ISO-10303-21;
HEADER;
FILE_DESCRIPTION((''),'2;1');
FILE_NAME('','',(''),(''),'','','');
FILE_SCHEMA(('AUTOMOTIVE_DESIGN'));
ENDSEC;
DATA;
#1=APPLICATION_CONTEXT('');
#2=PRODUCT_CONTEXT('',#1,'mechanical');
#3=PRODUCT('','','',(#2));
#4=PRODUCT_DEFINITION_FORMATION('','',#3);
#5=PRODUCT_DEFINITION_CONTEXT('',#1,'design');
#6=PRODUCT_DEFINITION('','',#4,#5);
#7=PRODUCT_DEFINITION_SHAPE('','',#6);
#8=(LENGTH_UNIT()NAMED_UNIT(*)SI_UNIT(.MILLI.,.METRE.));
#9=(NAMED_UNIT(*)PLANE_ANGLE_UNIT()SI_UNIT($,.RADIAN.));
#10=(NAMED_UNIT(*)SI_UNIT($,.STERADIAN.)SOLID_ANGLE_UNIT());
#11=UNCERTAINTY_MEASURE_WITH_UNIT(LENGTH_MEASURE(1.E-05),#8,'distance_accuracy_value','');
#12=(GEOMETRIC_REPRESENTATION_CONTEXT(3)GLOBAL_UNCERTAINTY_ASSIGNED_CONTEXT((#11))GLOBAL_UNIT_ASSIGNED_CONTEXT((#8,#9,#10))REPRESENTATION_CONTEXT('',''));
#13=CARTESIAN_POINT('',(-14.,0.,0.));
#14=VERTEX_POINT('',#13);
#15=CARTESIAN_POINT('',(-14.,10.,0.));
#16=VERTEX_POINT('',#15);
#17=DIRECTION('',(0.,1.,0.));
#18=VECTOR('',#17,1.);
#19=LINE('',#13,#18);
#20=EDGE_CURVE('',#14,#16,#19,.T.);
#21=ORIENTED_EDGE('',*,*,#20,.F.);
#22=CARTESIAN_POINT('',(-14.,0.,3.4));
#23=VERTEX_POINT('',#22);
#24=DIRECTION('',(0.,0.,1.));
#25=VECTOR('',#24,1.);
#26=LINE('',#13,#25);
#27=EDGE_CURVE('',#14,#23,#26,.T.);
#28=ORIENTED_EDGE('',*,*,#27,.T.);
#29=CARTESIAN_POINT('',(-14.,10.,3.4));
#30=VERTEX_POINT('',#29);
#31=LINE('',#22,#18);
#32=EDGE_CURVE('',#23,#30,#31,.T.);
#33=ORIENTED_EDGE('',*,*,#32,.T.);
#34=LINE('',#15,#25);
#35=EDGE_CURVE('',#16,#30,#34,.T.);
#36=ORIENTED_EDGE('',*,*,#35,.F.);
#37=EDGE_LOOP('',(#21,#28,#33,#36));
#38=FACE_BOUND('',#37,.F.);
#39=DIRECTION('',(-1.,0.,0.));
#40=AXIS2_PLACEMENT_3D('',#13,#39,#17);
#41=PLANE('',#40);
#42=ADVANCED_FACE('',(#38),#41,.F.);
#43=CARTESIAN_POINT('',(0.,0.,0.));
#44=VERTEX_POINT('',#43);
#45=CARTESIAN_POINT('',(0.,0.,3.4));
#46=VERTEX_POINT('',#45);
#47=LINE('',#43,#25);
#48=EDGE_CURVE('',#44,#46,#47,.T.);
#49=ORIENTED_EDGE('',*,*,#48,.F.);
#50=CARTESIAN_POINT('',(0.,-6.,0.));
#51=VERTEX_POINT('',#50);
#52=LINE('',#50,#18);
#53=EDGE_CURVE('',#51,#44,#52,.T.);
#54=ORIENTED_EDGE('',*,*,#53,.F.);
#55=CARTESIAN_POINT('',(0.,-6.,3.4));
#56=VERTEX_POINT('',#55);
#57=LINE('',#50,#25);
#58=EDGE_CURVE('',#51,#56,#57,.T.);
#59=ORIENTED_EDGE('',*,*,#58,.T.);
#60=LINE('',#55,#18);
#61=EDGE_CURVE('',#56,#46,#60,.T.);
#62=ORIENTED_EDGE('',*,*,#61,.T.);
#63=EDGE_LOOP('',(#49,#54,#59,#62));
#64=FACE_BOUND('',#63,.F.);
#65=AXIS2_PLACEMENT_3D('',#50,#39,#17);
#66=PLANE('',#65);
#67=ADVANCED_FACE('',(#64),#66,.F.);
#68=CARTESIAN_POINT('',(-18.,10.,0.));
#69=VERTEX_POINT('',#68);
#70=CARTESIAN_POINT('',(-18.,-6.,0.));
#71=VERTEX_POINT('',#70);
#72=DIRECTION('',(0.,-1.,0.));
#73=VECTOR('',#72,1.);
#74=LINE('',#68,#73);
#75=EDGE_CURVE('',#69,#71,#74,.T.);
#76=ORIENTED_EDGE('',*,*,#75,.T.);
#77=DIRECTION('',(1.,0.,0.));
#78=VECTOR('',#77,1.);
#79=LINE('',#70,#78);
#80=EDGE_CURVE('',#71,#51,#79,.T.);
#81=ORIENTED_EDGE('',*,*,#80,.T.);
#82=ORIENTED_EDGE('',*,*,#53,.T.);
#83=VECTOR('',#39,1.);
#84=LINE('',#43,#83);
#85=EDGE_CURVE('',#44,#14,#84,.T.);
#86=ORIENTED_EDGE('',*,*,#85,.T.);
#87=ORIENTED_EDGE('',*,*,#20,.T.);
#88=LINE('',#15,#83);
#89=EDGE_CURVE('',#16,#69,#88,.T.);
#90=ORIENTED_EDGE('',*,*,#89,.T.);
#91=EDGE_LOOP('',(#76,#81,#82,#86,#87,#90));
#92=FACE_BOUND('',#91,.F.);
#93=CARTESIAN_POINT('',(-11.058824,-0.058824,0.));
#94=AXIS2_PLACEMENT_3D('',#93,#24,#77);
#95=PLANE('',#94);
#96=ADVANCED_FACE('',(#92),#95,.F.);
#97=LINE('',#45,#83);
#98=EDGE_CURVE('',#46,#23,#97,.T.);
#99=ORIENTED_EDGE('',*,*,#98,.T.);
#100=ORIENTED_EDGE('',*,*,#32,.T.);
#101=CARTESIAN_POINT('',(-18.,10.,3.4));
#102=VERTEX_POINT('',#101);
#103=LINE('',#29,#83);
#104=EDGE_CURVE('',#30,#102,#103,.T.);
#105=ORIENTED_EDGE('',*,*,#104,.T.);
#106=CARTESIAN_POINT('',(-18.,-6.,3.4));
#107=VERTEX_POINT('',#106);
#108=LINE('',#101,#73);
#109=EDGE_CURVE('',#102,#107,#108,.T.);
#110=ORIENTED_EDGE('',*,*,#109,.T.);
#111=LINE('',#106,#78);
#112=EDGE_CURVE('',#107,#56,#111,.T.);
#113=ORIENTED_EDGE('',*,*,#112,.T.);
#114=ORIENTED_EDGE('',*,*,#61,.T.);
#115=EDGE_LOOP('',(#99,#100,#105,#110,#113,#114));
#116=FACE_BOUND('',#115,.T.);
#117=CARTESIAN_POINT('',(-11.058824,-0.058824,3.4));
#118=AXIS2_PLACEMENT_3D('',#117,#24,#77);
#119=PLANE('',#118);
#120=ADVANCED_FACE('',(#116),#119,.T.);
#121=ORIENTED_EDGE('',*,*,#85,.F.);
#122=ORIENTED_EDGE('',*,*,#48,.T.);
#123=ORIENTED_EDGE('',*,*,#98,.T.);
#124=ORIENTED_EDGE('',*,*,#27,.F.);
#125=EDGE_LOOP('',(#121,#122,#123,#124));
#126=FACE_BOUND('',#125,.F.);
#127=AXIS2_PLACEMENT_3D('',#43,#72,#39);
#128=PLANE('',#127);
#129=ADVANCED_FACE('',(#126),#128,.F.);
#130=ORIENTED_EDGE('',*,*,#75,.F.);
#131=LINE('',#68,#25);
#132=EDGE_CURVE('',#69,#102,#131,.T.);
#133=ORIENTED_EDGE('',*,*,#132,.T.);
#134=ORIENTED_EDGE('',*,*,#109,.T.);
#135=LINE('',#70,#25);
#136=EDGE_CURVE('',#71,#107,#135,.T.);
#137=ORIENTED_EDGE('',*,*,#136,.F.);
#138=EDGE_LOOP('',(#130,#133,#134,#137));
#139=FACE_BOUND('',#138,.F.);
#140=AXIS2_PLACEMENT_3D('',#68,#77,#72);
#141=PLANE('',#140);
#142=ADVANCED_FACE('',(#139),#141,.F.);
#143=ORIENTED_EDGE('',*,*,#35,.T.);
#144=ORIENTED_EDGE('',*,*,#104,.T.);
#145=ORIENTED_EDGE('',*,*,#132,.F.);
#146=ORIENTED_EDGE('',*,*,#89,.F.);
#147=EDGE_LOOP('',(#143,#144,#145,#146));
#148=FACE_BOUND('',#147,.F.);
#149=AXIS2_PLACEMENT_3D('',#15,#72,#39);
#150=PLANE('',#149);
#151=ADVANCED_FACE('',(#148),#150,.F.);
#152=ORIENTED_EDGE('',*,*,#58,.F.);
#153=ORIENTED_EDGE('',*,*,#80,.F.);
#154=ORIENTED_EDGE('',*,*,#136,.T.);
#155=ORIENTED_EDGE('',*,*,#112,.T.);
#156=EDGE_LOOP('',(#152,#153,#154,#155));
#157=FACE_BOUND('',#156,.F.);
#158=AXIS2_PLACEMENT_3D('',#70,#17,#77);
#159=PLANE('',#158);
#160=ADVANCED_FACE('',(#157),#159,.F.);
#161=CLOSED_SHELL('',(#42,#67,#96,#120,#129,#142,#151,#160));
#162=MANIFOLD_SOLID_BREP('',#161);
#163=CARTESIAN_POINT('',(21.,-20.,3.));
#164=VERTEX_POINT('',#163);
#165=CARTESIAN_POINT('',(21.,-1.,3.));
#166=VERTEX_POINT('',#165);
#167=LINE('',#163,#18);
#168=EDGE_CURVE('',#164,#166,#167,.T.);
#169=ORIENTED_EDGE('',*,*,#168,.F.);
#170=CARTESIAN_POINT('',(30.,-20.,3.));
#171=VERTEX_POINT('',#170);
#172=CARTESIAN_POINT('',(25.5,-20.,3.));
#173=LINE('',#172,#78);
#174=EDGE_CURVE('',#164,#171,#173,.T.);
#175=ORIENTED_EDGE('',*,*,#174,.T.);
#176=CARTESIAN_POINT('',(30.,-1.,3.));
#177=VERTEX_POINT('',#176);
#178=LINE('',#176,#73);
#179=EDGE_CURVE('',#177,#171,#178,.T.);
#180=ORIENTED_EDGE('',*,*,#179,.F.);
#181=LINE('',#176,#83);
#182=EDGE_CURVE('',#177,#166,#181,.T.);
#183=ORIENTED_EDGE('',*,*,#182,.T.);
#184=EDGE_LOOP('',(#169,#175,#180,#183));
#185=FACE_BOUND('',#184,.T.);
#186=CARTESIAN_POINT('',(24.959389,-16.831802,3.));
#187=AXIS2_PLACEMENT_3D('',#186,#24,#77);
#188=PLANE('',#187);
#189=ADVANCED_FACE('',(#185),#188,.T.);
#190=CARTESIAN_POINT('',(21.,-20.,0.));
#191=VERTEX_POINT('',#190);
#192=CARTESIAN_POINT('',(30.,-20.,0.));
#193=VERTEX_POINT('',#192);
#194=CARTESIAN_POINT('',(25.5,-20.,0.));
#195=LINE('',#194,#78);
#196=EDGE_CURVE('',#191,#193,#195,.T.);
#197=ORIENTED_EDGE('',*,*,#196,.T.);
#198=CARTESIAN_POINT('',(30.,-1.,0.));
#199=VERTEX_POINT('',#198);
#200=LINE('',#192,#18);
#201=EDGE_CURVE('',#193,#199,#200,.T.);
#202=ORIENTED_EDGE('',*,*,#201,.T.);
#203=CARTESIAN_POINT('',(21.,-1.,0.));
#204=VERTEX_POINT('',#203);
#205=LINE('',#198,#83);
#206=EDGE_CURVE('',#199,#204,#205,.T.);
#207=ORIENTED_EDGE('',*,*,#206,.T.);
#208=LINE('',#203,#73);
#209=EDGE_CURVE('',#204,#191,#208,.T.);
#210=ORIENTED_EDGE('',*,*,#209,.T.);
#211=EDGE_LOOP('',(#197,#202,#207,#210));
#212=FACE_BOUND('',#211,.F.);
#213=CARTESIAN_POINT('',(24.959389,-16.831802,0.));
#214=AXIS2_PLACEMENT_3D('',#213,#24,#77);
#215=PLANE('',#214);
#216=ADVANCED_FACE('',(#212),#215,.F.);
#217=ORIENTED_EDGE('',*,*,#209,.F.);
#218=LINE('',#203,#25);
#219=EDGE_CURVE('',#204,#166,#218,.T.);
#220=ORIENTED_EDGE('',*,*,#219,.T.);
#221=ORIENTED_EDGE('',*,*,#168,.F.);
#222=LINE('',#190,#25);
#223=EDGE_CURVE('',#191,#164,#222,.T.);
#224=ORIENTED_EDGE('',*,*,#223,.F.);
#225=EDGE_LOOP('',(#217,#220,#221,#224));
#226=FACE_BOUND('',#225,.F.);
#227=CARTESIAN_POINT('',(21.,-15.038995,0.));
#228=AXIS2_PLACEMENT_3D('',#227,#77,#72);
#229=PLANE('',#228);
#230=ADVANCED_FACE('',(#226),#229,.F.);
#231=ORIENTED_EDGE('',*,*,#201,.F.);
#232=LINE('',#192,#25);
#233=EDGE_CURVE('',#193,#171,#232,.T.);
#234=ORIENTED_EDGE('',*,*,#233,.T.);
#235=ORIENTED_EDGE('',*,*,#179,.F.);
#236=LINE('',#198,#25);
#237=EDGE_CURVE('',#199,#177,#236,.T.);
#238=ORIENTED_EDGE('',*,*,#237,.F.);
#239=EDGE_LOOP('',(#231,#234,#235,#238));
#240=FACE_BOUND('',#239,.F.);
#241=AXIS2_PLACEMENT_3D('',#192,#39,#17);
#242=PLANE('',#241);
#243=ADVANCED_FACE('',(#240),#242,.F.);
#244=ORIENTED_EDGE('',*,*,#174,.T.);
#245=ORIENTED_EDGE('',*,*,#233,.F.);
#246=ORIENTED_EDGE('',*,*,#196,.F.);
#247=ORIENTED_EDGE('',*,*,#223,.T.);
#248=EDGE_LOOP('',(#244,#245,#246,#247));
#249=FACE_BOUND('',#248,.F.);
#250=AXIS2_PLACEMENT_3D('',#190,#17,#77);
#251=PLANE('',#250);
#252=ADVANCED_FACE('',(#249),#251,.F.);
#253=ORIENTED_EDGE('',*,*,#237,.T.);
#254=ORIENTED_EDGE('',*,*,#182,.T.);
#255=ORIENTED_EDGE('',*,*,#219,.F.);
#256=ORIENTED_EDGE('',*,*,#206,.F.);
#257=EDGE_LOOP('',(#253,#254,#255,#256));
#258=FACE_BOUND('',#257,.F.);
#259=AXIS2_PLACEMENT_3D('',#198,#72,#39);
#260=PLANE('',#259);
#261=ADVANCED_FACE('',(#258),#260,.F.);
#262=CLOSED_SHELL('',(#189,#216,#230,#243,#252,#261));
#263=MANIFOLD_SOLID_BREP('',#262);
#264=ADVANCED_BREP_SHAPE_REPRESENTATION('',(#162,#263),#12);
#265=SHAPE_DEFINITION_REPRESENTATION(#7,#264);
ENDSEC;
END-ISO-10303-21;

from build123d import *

# Parameters (mm, degrees)
F1_DEPTH = 3.4
F2_DEPTH = 3
F0_W     = 9
F0_H     = 2.456613
F3_DEPTH = 3


with BuildPart() as f1:
    # F0 (on Top) → F1 (new body)
    with BuildSketch(Plane.XY):
        Polygon((-18, 10), (-18, -6), (0, -6), (0, 0), (-14, 0), (-14, 10), align=None)
    extrude(amount=F1_DEPTH)


with BuildPart() as f2:
    # F0 (on Top) → F2 (new body)
    with BuildSketch(Plane.XY):
        Polygon((21, -15.038995), (30, -17.543387), (30, -1), (21, -1), align=None)
    extrude(amount=F2_DEPTH)

    # F0 (on Top) → F3 (join)
    with BuildSketch(Plane.XY):
        Polygon((21, -17.543387), (30, -17.543387), (21, -15.038995), align=None)
        with Locations((25.5, -18.771693)):
            Rectangle(F0_W, F0_H)
    extrude(amount=F3_DEPTH)


solid = Compound([f1.part, f2.part])
